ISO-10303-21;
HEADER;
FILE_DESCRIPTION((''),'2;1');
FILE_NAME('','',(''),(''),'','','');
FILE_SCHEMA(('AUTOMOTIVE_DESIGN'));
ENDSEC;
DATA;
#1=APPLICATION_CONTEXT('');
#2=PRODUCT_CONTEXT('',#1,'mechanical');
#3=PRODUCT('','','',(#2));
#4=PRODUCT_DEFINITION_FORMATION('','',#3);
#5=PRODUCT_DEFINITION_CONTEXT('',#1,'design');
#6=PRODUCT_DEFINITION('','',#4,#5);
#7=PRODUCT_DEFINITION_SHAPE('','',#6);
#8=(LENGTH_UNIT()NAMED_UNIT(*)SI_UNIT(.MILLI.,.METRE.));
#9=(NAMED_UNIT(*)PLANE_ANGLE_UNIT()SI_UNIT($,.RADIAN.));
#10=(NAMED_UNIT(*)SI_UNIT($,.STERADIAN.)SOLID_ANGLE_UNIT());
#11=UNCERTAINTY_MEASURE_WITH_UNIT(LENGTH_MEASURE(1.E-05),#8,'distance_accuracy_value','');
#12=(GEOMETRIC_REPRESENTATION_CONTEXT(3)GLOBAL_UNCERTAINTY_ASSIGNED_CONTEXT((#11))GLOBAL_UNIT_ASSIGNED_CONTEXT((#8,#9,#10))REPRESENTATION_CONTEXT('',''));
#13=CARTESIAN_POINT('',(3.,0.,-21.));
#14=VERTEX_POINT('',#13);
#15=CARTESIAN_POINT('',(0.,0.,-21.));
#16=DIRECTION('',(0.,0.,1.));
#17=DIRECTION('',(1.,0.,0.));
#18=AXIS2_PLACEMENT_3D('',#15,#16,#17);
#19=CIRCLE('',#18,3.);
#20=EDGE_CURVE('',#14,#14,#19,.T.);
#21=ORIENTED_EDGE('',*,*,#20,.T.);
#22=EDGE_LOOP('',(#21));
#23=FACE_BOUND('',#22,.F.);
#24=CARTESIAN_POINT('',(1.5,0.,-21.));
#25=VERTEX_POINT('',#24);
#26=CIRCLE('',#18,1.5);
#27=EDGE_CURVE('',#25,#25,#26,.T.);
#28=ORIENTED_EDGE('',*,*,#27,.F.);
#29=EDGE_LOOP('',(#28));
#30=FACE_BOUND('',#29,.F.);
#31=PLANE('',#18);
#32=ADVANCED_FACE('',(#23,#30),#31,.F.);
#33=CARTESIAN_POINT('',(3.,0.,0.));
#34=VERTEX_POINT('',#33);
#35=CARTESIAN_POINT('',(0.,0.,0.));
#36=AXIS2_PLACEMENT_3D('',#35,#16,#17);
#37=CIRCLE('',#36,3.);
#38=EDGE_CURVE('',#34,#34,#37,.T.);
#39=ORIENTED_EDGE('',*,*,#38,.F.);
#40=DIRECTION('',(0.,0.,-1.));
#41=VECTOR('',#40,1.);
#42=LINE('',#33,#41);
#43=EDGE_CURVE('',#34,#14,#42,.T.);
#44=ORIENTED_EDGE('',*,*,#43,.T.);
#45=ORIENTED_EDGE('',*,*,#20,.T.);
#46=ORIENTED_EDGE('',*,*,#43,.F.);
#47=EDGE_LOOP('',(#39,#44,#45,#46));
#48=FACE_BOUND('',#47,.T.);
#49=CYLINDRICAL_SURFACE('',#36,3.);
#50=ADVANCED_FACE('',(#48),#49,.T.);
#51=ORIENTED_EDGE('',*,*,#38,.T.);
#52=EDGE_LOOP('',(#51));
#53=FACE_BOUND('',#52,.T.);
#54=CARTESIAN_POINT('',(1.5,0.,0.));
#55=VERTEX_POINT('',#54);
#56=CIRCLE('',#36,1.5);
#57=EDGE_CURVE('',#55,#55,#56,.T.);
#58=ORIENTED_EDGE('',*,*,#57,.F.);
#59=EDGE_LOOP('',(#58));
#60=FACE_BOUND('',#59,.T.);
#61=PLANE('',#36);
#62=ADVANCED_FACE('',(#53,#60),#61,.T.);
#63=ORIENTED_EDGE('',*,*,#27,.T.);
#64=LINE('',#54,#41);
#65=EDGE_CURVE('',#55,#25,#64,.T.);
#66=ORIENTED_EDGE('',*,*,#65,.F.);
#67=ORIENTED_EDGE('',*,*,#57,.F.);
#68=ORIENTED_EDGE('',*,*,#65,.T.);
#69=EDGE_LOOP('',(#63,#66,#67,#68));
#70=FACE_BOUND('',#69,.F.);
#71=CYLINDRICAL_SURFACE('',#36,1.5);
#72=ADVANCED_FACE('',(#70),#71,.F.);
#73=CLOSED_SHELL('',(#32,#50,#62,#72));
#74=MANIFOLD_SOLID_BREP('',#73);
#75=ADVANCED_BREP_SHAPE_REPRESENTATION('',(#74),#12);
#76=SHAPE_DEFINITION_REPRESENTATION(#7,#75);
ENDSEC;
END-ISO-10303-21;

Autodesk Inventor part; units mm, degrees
ref_plane "YZ Plane" through (0, 0, 0) normal (1, 0, 0) x (0, 1, 0)
ref_plane "XZ Plane" through (0, 0, 0) normal (0, 1, 0) x (-1, 0, 0)
ref_plane "XY Plane" through (0, 0, 0) normal (0, 0, 1) x (1, 0, 0)
sketch "スケッチ1" plane through (0, 0, 0) normal (0, 0, 1) x (1, 0, 0)
  circle A0 centre (0, 0) radius 3
  circle A1 centre (0, 0) radius 1.5
  dimension "d0" = 6
  dimension "d1" = 3
extrude "押し出し1" add sketch "スケッチ1" against normal blind 21
properties part number "PEAKスペーサーm3中空-17" material "アルミニウム 2014-T6"
